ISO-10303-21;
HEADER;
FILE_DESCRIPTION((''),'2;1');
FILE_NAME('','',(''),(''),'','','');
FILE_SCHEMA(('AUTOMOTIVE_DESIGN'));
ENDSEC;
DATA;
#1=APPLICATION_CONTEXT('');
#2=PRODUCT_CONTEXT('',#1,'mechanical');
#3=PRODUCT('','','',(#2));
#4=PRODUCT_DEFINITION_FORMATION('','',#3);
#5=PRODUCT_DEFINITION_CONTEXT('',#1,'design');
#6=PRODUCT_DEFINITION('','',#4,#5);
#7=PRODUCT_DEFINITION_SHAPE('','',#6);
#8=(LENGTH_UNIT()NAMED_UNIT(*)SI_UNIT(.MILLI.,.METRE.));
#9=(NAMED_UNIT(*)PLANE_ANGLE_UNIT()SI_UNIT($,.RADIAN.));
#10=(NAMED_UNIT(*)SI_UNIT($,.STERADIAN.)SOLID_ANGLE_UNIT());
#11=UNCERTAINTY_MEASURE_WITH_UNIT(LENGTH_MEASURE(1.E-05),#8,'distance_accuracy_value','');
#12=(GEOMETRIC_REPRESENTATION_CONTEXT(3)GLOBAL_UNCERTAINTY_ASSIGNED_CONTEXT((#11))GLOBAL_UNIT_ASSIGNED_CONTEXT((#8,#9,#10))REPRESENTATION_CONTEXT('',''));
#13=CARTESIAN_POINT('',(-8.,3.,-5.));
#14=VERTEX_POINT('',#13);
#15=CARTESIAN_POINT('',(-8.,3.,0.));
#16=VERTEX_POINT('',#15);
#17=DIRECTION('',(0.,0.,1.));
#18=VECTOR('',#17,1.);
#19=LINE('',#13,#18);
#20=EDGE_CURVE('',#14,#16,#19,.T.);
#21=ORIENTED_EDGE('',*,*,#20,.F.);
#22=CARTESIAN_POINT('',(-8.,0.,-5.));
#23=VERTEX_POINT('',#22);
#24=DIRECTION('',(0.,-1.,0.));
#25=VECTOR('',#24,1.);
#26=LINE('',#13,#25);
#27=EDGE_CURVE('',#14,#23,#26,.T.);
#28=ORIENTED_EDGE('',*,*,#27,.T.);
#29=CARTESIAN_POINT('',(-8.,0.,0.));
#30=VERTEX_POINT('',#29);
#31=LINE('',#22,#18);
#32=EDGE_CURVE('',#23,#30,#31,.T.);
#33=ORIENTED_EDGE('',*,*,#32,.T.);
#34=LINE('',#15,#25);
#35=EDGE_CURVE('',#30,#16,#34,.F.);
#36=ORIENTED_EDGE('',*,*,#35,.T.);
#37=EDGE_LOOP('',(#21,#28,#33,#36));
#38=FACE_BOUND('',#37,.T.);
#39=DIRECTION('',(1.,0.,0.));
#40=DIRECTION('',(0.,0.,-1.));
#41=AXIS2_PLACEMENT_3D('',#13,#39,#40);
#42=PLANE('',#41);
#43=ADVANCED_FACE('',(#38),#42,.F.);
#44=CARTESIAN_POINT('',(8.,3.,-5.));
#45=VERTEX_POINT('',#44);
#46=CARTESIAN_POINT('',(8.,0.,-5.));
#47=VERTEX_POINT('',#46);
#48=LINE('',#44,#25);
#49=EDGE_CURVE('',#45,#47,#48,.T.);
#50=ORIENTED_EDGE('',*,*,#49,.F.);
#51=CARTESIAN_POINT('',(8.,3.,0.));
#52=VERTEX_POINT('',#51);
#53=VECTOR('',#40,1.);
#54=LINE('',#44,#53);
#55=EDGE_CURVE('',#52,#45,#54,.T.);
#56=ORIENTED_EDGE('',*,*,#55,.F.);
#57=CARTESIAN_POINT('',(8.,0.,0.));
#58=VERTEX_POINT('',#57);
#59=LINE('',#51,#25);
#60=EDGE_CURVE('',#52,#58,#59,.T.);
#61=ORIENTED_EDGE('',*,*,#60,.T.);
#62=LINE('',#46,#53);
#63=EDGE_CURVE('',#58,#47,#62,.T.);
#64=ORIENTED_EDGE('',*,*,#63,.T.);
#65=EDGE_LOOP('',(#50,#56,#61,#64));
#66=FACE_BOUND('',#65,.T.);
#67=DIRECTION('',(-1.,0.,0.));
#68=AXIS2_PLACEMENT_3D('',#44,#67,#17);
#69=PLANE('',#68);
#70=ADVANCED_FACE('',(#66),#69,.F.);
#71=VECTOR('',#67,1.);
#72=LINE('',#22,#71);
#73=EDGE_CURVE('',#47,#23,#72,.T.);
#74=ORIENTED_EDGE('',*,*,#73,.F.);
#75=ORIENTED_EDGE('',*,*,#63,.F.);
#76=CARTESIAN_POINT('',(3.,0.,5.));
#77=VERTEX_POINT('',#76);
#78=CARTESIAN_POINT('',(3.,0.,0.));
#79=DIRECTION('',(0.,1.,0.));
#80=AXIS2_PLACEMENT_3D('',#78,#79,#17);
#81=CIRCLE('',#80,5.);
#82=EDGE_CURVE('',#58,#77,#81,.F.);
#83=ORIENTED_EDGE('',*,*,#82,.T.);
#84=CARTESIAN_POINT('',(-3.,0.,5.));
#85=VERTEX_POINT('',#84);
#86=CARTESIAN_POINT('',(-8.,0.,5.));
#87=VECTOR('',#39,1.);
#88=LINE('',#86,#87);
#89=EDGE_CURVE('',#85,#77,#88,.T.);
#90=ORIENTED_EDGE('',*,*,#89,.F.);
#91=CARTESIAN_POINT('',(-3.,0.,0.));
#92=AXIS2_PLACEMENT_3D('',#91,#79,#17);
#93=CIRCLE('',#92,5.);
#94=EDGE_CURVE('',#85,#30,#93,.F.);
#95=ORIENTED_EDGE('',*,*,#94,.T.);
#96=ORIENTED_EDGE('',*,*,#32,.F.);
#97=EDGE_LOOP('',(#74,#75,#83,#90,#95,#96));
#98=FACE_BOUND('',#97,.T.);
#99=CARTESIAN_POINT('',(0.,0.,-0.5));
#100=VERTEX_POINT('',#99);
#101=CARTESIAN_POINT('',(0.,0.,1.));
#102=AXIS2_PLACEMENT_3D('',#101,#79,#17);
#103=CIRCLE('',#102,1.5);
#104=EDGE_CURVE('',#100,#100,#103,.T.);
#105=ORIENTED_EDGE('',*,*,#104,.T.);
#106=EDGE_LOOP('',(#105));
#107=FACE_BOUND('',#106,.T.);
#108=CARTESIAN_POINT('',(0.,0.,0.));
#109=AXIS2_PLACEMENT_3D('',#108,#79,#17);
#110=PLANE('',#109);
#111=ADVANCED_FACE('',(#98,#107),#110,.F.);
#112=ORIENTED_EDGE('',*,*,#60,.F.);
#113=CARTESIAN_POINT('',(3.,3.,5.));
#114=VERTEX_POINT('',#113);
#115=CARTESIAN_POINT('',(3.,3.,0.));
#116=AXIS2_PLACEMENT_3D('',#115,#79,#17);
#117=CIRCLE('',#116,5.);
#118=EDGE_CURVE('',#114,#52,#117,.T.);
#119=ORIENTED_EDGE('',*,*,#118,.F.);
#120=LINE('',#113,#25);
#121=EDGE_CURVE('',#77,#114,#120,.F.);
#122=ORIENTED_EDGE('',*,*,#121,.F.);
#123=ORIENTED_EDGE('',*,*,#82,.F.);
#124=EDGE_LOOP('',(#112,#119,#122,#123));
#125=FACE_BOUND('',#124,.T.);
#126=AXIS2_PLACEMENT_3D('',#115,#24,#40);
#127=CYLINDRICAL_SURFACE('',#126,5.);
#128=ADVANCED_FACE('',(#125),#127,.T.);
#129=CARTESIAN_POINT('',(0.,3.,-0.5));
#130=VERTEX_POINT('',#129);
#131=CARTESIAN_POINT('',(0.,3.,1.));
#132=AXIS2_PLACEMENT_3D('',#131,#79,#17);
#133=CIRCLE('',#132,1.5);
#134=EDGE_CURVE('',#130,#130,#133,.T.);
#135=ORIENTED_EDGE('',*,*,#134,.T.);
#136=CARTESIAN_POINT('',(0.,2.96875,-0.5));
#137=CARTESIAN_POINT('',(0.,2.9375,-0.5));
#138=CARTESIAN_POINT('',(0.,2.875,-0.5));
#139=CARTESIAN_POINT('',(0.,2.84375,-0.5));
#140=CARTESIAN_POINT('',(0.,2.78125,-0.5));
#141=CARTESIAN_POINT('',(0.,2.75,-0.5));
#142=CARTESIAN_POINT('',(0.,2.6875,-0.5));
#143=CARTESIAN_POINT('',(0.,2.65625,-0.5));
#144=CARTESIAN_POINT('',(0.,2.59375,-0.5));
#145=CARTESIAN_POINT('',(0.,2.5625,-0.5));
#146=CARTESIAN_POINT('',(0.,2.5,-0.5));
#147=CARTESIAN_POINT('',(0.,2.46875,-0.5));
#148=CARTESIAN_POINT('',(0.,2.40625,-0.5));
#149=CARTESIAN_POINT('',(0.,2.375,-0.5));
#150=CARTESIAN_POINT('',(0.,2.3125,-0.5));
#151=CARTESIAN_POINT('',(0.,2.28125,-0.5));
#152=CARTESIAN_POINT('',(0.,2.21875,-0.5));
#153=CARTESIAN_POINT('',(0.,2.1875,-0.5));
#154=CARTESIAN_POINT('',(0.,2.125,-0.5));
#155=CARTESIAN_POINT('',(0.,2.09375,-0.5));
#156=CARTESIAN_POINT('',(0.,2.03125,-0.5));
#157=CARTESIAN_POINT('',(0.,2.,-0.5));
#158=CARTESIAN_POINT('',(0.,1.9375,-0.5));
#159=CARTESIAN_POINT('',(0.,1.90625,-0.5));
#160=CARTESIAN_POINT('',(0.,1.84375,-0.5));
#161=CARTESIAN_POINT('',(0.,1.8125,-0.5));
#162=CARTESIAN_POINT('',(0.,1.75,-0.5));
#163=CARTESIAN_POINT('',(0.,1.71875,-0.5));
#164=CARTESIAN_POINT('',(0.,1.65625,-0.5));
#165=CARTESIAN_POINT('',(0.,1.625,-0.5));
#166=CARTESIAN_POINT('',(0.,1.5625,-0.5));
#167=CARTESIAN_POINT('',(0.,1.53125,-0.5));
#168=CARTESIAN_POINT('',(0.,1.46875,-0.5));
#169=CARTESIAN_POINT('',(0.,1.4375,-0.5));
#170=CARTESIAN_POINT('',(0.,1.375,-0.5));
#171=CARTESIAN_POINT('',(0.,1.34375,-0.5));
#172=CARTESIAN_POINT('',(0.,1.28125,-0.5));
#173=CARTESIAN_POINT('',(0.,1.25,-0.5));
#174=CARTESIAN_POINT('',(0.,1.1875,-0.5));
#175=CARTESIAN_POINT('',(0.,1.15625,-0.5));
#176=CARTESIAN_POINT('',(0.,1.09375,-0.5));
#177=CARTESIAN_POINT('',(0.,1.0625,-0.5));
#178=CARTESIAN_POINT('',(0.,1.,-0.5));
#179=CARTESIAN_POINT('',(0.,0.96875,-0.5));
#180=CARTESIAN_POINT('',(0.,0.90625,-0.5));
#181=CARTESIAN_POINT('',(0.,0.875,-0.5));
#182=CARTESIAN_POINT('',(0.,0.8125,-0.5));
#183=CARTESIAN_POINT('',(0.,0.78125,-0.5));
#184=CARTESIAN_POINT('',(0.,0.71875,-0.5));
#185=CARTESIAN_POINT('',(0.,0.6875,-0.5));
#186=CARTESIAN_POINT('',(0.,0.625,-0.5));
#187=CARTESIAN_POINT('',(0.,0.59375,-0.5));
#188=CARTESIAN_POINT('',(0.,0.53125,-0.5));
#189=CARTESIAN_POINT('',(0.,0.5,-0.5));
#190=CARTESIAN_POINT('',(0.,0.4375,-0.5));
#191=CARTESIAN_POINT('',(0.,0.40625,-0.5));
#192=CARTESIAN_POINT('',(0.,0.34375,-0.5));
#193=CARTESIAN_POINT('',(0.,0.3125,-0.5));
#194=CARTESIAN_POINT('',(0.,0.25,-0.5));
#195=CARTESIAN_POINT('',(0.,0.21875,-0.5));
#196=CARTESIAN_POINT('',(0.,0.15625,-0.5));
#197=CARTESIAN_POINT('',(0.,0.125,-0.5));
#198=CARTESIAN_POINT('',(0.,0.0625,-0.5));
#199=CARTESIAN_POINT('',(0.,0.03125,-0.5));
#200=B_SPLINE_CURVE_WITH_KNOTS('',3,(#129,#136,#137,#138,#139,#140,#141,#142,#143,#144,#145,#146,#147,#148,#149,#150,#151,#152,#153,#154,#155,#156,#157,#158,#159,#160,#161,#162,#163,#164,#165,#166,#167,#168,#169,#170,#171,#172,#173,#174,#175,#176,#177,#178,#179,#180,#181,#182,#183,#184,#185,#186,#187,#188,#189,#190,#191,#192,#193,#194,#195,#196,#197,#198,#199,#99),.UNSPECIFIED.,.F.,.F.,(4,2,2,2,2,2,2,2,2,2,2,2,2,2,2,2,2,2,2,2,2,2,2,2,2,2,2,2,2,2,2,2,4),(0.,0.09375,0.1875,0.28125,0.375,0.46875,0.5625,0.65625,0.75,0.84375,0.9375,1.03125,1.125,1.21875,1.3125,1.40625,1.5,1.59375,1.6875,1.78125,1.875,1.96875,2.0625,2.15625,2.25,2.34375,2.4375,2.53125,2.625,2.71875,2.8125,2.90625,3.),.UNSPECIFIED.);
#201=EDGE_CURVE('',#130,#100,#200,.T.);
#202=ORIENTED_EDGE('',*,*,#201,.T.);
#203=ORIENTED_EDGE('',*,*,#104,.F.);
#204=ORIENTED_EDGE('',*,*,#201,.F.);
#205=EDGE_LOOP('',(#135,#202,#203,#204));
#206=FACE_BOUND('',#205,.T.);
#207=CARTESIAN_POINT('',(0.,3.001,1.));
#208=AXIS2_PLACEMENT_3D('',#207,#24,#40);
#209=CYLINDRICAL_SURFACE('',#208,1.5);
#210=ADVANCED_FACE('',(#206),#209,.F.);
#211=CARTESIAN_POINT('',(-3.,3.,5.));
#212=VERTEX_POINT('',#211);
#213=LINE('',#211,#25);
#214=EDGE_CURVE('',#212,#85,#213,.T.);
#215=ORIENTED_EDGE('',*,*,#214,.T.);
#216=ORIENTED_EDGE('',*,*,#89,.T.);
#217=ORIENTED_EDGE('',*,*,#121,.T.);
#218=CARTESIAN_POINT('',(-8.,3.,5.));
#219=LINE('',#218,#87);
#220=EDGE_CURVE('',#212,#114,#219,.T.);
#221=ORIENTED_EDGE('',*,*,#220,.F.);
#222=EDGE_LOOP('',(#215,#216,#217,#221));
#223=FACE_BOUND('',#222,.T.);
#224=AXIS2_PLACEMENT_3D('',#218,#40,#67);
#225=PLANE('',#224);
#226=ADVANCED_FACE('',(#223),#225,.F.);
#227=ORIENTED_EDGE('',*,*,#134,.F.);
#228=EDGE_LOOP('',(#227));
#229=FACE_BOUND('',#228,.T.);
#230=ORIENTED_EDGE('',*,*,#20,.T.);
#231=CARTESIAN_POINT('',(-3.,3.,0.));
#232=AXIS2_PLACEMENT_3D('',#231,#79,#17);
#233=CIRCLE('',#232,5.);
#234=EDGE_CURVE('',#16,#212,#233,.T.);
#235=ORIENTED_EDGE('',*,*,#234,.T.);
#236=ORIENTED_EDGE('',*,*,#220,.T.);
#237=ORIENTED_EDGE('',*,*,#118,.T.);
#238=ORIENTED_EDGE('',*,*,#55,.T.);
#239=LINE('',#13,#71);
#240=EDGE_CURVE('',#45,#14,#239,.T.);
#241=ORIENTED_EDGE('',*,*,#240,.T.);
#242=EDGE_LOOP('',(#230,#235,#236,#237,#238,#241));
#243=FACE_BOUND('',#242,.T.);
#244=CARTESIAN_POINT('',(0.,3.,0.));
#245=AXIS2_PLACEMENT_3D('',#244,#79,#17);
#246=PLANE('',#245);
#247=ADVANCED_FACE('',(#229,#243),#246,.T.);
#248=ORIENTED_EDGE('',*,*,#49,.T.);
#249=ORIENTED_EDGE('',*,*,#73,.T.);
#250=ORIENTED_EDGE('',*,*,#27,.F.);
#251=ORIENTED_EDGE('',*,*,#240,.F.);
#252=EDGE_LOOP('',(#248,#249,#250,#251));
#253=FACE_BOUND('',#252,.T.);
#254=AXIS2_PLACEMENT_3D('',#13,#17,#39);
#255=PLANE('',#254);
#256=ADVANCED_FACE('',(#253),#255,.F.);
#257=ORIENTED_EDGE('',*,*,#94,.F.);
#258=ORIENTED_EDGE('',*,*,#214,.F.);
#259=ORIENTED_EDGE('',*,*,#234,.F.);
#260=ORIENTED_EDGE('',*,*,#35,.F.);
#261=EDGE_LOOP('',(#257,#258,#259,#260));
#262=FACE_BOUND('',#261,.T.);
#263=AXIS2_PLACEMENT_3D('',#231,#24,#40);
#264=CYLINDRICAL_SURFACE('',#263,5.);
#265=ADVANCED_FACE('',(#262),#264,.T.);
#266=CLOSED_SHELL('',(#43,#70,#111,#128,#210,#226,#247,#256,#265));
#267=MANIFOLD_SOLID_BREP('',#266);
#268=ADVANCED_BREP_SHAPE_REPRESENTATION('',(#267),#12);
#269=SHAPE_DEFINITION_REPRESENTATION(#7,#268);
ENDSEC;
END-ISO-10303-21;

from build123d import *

# Parameters (mm, degrees)
SKETCH1_W           = 16
SKETCH1_H           = 10
BOSS_EXTRUDE1_DEPTH = 3
CUT_EXTRUDE1_REACH  = 11.899
SKETCH2_R           = 1.5
FILLET1_R           = 5


with BuildPart() as part:
    # Sketch1 → Boss-Extrude1 (new body)
    with BuildSketch(Plane(origin=(0, 0, 0), x_dir=(1, 0, 0), z_dir=(0, 1, 0))):
        Rectangle(SKETCH1_W, SKETCH1_H)
    extrude(amount=BOSS_EXTRUDE1_DEPTH)

    # Sketch2 → Cut-Extrude1 (cut, up to next)
    with BuildSketch(Plane(origin=(0, 0, 0), x_dir=(1, 0, 0), z_dir=(0, 1, 0)), mode=Mode.PRIVATE) as cut_extrude1_sk1:
        with Locations(Location((0, -1, 0), (0, 0, 90))):
            Circle(SKETCH2_R)
    cut_extrude1_tool1 = extrude(cut_extrude1_sk1.sketch, amount=CUT_EXTRUDE1_REACH, mode=Mode.PRIVATE) & part.part
    add(cut_extrude1_tool1.solids().sort_by_distance((0, 0, 1))[0], mode=Mode.SUBTRACT)

    # Fillet1
    fillet1_edges = [part.edges().sort_by_distance(p)[0] for p in [
        (8, 1.5, 5),
        (-8, 1.5, 5),
    ]]
    fillet(fillet1_edges, radius=FILLET1_R)


solid = part.part
